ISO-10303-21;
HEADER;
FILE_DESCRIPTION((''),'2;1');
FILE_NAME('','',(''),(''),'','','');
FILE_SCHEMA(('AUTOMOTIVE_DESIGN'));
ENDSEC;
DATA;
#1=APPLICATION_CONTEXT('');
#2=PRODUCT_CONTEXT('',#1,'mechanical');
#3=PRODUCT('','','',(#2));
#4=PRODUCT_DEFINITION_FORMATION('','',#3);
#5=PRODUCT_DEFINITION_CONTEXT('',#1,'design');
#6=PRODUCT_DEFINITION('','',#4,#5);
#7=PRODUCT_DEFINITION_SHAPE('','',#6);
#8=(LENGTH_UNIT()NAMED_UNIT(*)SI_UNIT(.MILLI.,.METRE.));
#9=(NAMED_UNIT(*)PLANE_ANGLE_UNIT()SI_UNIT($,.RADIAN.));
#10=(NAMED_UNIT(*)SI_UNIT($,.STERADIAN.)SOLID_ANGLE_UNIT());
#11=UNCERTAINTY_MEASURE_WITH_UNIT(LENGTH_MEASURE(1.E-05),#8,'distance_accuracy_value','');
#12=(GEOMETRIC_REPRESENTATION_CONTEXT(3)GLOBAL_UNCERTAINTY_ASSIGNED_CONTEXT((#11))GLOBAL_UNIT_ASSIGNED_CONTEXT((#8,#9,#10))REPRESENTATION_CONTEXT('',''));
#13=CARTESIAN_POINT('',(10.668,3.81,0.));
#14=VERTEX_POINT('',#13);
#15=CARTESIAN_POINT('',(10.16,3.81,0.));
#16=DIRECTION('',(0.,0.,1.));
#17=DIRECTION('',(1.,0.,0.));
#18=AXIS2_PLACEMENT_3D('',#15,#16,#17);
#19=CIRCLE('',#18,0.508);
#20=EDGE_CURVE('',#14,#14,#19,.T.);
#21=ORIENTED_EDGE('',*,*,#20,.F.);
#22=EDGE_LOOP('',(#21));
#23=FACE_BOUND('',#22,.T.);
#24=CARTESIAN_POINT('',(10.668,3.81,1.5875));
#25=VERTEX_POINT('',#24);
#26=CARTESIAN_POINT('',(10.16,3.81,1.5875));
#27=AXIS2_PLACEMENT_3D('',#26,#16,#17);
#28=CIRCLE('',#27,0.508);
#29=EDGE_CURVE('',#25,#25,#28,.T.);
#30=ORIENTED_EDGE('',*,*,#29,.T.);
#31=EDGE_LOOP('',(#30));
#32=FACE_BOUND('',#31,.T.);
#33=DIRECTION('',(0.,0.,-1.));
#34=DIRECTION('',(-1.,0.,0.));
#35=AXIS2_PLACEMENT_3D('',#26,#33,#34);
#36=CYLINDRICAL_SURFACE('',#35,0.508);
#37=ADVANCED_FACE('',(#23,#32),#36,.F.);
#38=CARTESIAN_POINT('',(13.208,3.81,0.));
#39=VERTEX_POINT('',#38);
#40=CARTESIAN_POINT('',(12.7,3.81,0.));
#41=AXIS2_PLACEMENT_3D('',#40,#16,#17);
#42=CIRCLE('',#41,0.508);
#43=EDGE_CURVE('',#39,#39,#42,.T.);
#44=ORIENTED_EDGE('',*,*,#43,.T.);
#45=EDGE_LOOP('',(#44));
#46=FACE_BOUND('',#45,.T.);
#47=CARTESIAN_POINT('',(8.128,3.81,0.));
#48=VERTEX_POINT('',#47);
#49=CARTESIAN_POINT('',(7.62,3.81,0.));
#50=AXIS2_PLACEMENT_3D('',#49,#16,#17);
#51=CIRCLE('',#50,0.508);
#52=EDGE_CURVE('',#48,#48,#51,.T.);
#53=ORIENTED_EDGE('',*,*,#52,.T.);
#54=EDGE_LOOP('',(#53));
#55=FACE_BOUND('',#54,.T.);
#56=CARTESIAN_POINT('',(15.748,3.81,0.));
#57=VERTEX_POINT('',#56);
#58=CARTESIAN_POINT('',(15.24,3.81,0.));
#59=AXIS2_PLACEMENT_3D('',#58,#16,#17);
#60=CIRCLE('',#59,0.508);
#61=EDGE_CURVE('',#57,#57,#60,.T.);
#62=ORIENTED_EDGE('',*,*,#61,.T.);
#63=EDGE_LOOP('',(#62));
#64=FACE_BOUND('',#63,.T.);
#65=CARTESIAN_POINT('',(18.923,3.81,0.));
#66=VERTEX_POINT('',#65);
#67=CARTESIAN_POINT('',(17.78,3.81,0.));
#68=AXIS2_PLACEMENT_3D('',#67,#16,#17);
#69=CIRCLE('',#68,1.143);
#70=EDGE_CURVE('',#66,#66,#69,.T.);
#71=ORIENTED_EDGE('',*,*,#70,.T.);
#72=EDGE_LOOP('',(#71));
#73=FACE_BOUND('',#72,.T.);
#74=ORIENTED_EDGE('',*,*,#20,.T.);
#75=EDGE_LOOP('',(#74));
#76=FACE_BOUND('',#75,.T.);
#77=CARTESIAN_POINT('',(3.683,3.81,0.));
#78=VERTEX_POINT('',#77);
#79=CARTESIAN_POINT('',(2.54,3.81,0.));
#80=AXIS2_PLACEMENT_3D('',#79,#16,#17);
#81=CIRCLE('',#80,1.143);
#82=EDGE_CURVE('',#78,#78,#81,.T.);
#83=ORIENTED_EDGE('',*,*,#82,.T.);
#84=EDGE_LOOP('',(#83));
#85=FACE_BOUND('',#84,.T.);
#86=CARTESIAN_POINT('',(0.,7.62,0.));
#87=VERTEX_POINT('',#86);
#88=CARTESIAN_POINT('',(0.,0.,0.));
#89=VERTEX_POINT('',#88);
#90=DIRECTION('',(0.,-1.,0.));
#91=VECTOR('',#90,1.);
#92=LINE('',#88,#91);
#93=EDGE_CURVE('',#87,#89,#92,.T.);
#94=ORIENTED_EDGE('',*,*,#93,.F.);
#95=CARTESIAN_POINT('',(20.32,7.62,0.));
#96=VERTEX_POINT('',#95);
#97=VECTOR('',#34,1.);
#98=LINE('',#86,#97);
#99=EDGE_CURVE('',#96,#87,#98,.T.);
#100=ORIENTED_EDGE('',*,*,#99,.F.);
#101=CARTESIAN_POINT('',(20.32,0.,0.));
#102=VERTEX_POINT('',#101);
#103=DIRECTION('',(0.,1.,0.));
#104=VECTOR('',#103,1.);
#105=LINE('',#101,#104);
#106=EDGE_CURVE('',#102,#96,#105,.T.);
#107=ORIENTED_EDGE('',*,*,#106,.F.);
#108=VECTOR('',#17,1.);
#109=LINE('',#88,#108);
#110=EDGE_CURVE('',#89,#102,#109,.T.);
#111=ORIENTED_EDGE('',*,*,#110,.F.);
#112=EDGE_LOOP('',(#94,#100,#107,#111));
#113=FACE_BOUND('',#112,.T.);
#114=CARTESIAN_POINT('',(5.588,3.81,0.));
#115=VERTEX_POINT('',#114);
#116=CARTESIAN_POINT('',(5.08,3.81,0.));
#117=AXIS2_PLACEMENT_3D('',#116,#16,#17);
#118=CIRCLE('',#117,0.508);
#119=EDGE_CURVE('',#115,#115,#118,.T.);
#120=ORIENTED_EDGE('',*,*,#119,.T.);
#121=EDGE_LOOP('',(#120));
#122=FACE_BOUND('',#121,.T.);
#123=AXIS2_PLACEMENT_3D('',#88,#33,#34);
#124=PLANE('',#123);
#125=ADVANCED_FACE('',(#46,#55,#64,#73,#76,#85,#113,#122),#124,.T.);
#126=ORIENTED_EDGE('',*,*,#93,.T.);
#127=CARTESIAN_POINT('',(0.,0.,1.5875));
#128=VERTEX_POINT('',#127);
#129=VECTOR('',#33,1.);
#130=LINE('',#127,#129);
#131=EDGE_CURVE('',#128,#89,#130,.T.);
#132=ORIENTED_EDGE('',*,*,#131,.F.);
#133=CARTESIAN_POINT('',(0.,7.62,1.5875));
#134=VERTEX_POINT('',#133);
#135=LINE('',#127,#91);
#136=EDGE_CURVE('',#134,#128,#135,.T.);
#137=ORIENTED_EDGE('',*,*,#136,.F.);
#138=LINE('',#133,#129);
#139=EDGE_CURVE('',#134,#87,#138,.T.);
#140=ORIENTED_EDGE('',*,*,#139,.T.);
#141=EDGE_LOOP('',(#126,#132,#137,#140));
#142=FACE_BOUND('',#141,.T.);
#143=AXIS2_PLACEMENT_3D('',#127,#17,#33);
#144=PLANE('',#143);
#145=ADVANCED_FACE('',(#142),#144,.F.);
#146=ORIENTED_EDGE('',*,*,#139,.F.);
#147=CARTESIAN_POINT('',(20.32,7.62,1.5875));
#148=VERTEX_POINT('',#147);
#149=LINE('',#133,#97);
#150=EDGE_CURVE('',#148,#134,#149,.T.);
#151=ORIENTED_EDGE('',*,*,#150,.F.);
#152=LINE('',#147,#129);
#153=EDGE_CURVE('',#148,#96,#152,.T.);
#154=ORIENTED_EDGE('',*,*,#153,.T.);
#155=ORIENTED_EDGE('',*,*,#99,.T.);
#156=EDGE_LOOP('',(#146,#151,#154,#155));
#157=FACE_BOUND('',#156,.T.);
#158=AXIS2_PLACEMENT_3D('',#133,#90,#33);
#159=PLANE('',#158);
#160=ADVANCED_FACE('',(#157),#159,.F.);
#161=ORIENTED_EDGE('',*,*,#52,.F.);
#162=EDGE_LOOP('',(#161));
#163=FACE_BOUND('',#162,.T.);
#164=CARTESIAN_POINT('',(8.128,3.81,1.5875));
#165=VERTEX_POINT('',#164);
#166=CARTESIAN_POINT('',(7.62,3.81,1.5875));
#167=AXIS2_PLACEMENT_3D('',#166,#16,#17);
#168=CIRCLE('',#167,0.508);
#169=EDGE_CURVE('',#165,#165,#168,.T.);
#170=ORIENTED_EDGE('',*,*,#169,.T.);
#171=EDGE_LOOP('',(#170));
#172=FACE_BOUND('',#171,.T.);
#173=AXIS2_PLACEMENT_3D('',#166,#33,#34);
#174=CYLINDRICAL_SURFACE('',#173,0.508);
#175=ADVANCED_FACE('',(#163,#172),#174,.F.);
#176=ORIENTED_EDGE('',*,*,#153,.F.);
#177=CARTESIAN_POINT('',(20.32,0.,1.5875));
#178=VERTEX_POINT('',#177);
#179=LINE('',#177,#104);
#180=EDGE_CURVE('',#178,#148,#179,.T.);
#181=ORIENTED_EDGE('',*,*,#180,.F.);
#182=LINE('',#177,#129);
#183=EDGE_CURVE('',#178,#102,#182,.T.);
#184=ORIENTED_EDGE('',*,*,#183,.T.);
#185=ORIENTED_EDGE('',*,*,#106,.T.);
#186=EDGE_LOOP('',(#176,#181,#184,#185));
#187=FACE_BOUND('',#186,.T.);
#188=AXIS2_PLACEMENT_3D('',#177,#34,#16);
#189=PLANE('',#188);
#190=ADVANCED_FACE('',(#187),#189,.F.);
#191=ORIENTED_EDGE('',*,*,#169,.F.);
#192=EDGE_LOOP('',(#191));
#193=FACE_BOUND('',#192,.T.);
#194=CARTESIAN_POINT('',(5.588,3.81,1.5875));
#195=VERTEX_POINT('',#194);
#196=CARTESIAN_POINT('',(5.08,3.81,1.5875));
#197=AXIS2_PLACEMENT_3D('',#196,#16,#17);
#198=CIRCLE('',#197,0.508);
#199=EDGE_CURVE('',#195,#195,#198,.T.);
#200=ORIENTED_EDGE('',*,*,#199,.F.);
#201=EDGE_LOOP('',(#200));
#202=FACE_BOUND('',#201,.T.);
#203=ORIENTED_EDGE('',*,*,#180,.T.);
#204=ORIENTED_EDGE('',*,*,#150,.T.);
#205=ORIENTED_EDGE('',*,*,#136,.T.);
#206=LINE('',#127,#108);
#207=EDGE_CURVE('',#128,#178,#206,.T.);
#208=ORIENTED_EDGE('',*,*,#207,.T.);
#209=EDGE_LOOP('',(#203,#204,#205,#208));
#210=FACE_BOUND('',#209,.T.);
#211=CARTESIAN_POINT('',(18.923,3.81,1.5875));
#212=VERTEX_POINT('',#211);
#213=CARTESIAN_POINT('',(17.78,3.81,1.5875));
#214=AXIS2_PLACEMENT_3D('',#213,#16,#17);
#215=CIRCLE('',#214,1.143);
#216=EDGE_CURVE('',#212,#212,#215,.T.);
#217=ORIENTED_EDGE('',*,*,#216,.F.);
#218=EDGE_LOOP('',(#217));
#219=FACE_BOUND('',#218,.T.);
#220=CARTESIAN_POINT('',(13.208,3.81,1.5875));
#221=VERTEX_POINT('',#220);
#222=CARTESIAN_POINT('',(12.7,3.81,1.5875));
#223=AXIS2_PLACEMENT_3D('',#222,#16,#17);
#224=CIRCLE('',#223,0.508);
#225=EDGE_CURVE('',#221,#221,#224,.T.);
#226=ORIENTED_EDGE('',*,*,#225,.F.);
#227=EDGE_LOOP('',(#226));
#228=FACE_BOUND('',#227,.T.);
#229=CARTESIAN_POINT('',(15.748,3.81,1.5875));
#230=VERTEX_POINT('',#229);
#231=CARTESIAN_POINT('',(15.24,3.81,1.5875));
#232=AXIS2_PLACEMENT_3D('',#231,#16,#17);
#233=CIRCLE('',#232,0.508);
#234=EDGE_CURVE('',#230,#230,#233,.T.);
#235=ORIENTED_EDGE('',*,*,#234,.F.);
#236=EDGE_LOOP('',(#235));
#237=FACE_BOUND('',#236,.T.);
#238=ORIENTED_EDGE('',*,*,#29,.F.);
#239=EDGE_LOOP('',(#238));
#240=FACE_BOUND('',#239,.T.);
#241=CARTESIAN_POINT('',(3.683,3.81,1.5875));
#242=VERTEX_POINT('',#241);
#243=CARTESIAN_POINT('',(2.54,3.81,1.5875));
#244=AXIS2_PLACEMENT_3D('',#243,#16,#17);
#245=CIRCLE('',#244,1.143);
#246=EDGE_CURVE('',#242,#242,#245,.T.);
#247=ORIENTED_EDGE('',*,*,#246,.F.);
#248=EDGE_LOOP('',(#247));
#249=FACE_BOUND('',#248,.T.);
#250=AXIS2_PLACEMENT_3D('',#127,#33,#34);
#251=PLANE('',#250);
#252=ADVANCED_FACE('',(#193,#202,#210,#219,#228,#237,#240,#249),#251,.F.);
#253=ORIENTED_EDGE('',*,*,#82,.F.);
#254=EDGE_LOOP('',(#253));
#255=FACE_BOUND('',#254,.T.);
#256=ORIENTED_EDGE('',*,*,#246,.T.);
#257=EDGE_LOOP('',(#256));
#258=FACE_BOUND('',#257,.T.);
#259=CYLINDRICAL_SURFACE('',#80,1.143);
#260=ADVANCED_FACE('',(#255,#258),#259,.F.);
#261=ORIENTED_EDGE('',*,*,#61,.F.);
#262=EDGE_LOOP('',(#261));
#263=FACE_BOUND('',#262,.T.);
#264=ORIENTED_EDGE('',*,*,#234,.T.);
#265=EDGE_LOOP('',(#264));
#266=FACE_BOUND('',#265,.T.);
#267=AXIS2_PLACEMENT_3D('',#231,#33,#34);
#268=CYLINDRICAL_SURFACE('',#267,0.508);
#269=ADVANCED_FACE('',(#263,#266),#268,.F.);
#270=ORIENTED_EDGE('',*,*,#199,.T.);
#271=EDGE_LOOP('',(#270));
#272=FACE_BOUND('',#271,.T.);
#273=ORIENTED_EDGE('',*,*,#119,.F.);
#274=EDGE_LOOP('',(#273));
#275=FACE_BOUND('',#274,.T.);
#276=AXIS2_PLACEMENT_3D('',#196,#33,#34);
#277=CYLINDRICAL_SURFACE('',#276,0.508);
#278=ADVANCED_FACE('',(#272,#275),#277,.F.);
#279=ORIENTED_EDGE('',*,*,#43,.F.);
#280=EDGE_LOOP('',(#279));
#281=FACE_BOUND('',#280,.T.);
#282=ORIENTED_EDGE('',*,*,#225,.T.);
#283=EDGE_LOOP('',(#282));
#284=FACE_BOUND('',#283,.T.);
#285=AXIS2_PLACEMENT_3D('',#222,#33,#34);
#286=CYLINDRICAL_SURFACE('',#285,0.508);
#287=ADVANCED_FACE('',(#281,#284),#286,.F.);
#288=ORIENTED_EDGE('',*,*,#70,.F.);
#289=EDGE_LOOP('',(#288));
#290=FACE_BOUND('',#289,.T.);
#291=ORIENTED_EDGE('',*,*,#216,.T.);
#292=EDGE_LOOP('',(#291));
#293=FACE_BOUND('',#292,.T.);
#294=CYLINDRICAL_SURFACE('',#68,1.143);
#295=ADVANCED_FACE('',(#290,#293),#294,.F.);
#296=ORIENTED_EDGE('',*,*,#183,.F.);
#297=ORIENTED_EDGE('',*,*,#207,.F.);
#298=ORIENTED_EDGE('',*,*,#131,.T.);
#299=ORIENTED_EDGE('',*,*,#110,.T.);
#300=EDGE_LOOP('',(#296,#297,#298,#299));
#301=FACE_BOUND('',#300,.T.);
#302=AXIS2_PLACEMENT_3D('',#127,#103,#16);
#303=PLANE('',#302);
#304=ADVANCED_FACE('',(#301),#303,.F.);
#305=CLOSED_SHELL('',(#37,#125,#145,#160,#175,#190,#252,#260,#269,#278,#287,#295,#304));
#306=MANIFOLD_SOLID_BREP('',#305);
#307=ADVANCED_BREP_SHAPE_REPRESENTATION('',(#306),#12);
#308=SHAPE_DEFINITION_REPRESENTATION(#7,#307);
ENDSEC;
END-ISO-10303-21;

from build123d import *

# Parameters (mm, degrees)
SKETCH1_W           = 20.32
SKETCH1_H           = 7.62
SKETCH1_R           = 0.508
BOSS_EXTRUDE1_DEPTH = 1.5875
SKETCH2_R           = 1.143
CUT_EXTRUDE1_DEPTH  = 22.759755427


with BuildPart() as part:
    # Sketch1 → Boss-Extrude1 (new body)
    with BuildSketch(Plane.XY):
        with Locations((10.16, 3.81)):
            Rectangle(SKETCH1_W, SKETCH1_H)
        with Locations((2.54, 3.81)):
            Circle(SKETCH1_R, mode=Mode.SUBTRACT)
        with Locations((5.08, 3.81)):
            Circle(SKETCH1_R, mode=Mode.SUBTRACT)
        with Locations((7.62, 3.81)):
            Circle(SKETCH1_R, mode=Mode.SUBTRACT)
        with Locations((10.16, 3.81)):
            Circle(SKETCH1_R, mode=Mode.SUBTRACT)
        with Locations((12.7, 3.81)):
            Circle(SKETCH1_R, mode=Mode.SUBTRACT)
        with Locations((15.24, 3.81)):
            Circle(SKETCH1_R, mode=Mode.SUBTRACT)
        with Locations((17.78, 3.81)):
            Circle(SKETCH1_R, mode=Mode.SUBTRACT)
    extrude(amount=BOSS_EXTRUDE1_DEPTH)

    # Sketch2 → Cut-Extrude1 (cut, through all)
    with BuildSketch(Plane.XY.offset(1.5875)):
        with Locations((2.54, 3.81)):
            Circle(SKETCH2_R)
        with Locations((17.78, 3.81)):
            Circle(SKETCH2_R)
    extrude(amount=-CUT_EXTRUDE1_DEPTH, mode=Mode.SUBTRACT)


solid = part.part
